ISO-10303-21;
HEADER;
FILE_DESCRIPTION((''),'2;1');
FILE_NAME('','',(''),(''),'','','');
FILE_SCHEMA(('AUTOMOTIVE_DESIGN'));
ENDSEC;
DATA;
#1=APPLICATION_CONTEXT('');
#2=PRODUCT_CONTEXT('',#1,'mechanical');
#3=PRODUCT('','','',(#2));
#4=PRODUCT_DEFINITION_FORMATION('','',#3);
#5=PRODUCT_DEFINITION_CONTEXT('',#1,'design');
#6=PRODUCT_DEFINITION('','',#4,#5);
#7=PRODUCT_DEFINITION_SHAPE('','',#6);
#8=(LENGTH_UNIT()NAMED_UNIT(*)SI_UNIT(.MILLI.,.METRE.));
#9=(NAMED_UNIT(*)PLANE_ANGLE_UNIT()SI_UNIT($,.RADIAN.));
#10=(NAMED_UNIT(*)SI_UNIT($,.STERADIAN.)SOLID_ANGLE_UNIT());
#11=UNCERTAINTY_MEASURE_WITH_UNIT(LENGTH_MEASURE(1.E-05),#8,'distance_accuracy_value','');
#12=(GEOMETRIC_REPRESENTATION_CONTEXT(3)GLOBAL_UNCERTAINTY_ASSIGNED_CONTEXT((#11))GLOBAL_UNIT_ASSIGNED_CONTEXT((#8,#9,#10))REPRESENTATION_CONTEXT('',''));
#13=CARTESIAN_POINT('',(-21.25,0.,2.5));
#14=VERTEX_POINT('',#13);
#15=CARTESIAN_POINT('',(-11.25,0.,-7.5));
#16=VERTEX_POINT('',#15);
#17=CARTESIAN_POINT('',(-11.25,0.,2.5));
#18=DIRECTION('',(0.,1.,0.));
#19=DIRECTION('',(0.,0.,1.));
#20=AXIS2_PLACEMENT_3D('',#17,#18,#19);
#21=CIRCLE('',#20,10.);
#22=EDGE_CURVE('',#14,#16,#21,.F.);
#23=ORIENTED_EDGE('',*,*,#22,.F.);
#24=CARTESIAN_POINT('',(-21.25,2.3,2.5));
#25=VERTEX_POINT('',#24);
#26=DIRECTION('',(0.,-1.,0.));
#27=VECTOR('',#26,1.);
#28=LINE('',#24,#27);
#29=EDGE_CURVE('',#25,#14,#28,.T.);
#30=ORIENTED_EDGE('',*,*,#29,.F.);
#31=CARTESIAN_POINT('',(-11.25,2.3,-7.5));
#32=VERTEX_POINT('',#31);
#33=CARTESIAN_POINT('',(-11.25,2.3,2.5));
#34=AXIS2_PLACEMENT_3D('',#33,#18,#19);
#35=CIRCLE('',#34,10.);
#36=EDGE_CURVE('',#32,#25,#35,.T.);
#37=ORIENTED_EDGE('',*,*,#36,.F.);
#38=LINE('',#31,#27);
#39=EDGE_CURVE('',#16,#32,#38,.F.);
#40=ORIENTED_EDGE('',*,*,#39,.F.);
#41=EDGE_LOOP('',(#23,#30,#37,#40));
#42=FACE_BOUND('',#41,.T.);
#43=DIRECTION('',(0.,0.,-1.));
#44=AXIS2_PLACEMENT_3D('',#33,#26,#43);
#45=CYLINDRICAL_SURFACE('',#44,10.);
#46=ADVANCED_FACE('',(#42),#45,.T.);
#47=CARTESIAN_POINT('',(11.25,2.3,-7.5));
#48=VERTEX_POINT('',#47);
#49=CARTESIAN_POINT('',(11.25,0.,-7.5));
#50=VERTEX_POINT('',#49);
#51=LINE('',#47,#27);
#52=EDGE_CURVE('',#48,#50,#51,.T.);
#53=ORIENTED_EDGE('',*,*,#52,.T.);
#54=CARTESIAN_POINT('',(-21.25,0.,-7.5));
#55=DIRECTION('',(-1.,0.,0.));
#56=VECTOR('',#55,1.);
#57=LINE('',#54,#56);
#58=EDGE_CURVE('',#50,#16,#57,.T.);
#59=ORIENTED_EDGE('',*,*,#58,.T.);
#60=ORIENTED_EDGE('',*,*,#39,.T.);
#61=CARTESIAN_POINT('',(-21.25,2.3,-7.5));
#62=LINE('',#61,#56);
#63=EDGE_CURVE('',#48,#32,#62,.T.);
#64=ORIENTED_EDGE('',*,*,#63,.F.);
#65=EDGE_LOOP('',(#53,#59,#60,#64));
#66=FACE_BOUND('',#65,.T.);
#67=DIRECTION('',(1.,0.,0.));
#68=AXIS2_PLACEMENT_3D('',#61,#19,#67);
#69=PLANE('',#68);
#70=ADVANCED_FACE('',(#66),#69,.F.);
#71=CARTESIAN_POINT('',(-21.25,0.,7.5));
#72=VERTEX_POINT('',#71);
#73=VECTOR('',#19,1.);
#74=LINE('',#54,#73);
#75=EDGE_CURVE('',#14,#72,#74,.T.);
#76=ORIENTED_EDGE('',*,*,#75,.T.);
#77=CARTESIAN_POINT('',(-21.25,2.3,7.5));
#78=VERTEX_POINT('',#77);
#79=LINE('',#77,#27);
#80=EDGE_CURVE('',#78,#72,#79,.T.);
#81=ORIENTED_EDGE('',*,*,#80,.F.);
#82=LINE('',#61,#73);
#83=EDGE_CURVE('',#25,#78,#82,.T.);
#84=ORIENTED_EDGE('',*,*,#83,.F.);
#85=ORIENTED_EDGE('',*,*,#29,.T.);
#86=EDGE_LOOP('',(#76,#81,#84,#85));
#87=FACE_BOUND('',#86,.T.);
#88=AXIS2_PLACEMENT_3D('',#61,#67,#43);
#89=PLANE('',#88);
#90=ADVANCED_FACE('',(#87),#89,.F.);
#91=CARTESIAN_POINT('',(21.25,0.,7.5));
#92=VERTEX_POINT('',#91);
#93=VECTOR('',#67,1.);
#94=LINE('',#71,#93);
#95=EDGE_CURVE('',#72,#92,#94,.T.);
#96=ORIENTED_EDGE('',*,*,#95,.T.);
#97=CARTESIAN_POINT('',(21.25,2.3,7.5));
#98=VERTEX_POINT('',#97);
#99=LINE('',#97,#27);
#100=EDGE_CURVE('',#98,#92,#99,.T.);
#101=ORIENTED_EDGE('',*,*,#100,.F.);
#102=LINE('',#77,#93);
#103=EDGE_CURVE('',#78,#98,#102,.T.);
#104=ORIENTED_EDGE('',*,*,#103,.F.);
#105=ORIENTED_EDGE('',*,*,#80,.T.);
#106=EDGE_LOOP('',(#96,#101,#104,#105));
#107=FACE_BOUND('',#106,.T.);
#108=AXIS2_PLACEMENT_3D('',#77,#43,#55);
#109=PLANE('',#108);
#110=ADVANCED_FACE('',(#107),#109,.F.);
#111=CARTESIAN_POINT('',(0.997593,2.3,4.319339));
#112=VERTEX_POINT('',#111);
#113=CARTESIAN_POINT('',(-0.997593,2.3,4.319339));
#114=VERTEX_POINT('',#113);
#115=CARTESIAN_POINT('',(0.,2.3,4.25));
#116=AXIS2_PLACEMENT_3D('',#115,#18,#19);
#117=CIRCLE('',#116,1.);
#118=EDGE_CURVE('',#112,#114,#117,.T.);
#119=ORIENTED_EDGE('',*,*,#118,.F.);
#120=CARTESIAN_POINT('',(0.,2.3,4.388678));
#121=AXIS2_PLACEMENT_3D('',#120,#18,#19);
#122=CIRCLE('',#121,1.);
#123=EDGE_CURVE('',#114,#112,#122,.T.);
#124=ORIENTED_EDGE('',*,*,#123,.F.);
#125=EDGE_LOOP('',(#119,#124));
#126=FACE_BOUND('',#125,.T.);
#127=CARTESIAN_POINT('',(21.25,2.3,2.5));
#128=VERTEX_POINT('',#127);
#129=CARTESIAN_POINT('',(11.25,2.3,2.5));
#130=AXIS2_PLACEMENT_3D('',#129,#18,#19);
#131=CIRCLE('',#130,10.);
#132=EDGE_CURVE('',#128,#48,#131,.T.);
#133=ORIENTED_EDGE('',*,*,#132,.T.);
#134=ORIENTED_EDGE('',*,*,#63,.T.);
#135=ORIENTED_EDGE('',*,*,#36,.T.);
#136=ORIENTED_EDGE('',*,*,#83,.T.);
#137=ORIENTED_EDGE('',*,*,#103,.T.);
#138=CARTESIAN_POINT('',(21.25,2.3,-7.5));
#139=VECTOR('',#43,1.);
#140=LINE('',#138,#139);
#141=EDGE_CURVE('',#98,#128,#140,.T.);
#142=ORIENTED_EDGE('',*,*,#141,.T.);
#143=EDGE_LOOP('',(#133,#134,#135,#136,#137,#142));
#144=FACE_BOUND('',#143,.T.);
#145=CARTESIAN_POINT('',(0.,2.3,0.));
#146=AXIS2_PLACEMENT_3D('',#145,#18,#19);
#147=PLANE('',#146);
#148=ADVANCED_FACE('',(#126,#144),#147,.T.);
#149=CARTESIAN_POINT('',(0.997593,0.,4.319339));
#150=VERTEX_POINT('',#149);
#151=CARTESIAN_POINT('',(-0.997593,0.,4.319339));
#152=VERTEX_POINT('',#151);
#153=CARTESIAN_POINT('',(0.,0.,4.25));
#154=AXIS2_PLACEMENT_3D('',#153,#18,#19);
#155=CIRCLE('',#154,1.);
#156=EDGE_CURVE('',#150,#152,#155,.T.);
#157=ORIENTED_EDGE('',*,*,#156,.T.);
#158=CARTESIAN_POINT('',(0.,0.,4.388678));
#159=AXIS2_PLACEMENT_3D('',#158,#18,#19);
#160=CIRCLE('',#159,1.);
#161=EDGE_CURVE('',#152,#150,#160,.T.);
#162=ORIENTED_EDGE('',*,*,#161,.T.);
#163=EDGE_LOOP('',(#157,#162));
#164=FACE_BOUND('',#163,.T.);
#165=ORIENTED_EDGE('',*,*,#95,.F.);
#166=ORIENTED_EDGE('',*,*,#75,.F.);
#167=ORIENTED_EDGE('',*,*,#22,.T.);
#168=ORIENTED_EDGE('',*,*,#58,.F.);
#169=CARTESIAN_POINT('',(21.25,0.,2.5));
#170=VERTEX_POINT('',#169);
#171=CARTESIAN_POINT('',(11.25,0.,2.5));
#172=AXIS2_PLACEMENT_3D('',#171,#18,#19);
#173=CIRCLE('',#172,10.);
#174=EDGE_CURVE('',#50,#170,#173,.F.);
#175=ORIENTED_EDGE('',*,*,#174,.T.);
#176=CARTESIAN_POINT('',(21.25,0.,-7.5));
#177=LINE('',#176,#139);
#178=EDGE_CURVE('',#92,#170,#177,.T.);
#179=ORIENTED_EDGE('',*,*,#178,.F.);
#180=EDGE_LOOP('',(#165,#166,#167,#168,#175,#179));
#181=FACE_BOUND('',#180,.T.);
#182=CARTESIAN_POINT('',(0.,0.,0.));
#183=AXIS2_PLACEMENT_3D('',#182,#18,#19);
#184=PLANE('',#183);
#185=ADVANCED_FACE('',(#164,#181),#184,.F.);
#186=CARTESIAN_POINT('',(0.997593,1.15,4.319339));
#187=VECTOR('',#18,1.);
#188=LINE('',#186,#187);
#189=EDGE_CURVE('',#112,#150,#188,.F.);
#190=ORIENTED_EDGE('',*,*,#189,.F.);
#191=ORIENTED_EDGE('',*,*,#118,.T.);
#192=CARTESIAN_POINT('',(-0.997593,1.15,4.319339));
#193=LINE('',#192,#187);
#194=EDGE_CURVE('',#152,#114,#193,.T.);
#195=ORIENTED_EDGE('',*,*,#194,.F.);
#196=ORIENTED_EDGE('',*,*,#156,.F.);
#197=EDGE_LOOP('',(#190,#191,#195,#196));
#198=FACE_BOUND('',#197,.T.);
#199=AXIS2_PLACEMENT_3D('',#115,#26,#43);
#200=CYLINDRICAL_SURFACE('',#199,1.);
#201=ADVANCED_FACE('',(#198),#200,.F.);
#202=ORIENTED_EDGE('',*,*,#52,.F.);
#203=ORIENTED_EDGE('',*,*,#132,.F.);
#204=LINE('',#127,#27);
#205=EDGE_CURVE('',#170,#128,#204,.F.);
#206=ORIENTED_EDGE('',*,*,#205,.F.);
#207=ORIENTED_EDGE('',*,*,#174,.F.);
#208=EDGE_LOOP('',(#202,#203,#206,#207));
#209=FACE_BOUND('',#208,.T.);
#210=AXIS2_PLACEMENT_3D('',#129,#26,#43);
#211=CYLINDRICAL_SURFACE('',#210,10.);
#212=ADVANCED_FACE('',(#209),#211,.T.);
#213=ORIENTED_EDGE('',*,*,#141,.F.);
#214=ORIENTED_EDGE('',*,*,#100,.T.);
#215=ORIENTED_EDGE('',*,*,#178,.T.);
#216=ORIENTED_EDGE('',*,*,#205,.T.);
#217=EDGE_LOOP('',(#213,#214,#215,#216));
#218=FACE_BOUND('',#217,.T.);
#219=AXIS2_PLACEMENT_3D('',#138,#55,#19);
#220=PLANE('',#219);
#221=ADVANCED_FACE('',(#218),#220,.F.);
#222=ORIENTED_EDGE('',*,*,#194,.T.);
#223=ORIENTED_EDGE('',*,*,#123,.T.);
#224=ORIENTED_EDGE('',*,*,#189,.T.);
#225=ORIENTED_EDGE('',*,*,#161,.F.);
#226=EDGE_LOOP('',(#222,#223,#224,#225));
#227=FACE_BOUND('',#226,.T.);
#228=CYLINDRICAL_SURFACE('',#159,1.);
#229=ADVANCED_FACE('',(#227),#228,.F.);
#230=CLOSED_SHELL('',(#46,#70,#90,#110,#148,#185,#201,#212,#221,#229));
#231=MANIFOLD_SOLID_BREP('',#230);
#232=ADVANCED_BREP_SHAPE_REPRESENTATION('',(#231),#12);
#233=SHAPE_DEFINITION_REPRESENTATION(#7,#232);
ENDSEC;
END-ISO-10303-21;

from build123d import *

# Parameters (mm, degrees)
SKETCH2_W           = 42.5
SKETCH2_H           = 15
SKETCH2_R           = 1
BOSS_EXTRUDE1_DEPTH = 2.3
FILLET9_R           = 10
SKETCH3_R           = 1
CUT_EXTRUDE1_DEPTH  = 3.3


with BuildPart() as part:
    # Sketch2 → Boss-Extrude1 (new body)
    with BuildSketch(Plane(origin=(0, 0, 0), x_dir=(1, 0, 0), z_dir=(0, 1, 0))):
        Rectangle(SKETCH2_W, SKETCH2_H)
        with Locations((0, -4.25)):
            Circle(SKETCH2_R, mode=Mode.SUBTRACT)
    extrude(amount=BOSS_EXTRUDE1_DEPTH)

    # Fillet9
    fillet9_edges = [part.edges().sort_by_distance(p)[0] for p in [
        (-21.25, 1.15, -7.5),
        (21.25, 1.15, -7.5),
    ]]
    fillet(fillet9_edges, radius=FILLET9_R)

    # Sketch3 → Cut-Extrude1 (cut, through all)
    with BuildSketch(Plane(origin=(0, 2.3, 0), x_dir=(1, 0, 0), z_dir=(0, 1, 0))):
        with Locations((0, -4.388678083)):
            Circle(SKETCH3_R)
    extrude(amount=-CUT_EXTRUDE1_DEPTH, mode=Mode.SUBTRACT)


solid = part.part
